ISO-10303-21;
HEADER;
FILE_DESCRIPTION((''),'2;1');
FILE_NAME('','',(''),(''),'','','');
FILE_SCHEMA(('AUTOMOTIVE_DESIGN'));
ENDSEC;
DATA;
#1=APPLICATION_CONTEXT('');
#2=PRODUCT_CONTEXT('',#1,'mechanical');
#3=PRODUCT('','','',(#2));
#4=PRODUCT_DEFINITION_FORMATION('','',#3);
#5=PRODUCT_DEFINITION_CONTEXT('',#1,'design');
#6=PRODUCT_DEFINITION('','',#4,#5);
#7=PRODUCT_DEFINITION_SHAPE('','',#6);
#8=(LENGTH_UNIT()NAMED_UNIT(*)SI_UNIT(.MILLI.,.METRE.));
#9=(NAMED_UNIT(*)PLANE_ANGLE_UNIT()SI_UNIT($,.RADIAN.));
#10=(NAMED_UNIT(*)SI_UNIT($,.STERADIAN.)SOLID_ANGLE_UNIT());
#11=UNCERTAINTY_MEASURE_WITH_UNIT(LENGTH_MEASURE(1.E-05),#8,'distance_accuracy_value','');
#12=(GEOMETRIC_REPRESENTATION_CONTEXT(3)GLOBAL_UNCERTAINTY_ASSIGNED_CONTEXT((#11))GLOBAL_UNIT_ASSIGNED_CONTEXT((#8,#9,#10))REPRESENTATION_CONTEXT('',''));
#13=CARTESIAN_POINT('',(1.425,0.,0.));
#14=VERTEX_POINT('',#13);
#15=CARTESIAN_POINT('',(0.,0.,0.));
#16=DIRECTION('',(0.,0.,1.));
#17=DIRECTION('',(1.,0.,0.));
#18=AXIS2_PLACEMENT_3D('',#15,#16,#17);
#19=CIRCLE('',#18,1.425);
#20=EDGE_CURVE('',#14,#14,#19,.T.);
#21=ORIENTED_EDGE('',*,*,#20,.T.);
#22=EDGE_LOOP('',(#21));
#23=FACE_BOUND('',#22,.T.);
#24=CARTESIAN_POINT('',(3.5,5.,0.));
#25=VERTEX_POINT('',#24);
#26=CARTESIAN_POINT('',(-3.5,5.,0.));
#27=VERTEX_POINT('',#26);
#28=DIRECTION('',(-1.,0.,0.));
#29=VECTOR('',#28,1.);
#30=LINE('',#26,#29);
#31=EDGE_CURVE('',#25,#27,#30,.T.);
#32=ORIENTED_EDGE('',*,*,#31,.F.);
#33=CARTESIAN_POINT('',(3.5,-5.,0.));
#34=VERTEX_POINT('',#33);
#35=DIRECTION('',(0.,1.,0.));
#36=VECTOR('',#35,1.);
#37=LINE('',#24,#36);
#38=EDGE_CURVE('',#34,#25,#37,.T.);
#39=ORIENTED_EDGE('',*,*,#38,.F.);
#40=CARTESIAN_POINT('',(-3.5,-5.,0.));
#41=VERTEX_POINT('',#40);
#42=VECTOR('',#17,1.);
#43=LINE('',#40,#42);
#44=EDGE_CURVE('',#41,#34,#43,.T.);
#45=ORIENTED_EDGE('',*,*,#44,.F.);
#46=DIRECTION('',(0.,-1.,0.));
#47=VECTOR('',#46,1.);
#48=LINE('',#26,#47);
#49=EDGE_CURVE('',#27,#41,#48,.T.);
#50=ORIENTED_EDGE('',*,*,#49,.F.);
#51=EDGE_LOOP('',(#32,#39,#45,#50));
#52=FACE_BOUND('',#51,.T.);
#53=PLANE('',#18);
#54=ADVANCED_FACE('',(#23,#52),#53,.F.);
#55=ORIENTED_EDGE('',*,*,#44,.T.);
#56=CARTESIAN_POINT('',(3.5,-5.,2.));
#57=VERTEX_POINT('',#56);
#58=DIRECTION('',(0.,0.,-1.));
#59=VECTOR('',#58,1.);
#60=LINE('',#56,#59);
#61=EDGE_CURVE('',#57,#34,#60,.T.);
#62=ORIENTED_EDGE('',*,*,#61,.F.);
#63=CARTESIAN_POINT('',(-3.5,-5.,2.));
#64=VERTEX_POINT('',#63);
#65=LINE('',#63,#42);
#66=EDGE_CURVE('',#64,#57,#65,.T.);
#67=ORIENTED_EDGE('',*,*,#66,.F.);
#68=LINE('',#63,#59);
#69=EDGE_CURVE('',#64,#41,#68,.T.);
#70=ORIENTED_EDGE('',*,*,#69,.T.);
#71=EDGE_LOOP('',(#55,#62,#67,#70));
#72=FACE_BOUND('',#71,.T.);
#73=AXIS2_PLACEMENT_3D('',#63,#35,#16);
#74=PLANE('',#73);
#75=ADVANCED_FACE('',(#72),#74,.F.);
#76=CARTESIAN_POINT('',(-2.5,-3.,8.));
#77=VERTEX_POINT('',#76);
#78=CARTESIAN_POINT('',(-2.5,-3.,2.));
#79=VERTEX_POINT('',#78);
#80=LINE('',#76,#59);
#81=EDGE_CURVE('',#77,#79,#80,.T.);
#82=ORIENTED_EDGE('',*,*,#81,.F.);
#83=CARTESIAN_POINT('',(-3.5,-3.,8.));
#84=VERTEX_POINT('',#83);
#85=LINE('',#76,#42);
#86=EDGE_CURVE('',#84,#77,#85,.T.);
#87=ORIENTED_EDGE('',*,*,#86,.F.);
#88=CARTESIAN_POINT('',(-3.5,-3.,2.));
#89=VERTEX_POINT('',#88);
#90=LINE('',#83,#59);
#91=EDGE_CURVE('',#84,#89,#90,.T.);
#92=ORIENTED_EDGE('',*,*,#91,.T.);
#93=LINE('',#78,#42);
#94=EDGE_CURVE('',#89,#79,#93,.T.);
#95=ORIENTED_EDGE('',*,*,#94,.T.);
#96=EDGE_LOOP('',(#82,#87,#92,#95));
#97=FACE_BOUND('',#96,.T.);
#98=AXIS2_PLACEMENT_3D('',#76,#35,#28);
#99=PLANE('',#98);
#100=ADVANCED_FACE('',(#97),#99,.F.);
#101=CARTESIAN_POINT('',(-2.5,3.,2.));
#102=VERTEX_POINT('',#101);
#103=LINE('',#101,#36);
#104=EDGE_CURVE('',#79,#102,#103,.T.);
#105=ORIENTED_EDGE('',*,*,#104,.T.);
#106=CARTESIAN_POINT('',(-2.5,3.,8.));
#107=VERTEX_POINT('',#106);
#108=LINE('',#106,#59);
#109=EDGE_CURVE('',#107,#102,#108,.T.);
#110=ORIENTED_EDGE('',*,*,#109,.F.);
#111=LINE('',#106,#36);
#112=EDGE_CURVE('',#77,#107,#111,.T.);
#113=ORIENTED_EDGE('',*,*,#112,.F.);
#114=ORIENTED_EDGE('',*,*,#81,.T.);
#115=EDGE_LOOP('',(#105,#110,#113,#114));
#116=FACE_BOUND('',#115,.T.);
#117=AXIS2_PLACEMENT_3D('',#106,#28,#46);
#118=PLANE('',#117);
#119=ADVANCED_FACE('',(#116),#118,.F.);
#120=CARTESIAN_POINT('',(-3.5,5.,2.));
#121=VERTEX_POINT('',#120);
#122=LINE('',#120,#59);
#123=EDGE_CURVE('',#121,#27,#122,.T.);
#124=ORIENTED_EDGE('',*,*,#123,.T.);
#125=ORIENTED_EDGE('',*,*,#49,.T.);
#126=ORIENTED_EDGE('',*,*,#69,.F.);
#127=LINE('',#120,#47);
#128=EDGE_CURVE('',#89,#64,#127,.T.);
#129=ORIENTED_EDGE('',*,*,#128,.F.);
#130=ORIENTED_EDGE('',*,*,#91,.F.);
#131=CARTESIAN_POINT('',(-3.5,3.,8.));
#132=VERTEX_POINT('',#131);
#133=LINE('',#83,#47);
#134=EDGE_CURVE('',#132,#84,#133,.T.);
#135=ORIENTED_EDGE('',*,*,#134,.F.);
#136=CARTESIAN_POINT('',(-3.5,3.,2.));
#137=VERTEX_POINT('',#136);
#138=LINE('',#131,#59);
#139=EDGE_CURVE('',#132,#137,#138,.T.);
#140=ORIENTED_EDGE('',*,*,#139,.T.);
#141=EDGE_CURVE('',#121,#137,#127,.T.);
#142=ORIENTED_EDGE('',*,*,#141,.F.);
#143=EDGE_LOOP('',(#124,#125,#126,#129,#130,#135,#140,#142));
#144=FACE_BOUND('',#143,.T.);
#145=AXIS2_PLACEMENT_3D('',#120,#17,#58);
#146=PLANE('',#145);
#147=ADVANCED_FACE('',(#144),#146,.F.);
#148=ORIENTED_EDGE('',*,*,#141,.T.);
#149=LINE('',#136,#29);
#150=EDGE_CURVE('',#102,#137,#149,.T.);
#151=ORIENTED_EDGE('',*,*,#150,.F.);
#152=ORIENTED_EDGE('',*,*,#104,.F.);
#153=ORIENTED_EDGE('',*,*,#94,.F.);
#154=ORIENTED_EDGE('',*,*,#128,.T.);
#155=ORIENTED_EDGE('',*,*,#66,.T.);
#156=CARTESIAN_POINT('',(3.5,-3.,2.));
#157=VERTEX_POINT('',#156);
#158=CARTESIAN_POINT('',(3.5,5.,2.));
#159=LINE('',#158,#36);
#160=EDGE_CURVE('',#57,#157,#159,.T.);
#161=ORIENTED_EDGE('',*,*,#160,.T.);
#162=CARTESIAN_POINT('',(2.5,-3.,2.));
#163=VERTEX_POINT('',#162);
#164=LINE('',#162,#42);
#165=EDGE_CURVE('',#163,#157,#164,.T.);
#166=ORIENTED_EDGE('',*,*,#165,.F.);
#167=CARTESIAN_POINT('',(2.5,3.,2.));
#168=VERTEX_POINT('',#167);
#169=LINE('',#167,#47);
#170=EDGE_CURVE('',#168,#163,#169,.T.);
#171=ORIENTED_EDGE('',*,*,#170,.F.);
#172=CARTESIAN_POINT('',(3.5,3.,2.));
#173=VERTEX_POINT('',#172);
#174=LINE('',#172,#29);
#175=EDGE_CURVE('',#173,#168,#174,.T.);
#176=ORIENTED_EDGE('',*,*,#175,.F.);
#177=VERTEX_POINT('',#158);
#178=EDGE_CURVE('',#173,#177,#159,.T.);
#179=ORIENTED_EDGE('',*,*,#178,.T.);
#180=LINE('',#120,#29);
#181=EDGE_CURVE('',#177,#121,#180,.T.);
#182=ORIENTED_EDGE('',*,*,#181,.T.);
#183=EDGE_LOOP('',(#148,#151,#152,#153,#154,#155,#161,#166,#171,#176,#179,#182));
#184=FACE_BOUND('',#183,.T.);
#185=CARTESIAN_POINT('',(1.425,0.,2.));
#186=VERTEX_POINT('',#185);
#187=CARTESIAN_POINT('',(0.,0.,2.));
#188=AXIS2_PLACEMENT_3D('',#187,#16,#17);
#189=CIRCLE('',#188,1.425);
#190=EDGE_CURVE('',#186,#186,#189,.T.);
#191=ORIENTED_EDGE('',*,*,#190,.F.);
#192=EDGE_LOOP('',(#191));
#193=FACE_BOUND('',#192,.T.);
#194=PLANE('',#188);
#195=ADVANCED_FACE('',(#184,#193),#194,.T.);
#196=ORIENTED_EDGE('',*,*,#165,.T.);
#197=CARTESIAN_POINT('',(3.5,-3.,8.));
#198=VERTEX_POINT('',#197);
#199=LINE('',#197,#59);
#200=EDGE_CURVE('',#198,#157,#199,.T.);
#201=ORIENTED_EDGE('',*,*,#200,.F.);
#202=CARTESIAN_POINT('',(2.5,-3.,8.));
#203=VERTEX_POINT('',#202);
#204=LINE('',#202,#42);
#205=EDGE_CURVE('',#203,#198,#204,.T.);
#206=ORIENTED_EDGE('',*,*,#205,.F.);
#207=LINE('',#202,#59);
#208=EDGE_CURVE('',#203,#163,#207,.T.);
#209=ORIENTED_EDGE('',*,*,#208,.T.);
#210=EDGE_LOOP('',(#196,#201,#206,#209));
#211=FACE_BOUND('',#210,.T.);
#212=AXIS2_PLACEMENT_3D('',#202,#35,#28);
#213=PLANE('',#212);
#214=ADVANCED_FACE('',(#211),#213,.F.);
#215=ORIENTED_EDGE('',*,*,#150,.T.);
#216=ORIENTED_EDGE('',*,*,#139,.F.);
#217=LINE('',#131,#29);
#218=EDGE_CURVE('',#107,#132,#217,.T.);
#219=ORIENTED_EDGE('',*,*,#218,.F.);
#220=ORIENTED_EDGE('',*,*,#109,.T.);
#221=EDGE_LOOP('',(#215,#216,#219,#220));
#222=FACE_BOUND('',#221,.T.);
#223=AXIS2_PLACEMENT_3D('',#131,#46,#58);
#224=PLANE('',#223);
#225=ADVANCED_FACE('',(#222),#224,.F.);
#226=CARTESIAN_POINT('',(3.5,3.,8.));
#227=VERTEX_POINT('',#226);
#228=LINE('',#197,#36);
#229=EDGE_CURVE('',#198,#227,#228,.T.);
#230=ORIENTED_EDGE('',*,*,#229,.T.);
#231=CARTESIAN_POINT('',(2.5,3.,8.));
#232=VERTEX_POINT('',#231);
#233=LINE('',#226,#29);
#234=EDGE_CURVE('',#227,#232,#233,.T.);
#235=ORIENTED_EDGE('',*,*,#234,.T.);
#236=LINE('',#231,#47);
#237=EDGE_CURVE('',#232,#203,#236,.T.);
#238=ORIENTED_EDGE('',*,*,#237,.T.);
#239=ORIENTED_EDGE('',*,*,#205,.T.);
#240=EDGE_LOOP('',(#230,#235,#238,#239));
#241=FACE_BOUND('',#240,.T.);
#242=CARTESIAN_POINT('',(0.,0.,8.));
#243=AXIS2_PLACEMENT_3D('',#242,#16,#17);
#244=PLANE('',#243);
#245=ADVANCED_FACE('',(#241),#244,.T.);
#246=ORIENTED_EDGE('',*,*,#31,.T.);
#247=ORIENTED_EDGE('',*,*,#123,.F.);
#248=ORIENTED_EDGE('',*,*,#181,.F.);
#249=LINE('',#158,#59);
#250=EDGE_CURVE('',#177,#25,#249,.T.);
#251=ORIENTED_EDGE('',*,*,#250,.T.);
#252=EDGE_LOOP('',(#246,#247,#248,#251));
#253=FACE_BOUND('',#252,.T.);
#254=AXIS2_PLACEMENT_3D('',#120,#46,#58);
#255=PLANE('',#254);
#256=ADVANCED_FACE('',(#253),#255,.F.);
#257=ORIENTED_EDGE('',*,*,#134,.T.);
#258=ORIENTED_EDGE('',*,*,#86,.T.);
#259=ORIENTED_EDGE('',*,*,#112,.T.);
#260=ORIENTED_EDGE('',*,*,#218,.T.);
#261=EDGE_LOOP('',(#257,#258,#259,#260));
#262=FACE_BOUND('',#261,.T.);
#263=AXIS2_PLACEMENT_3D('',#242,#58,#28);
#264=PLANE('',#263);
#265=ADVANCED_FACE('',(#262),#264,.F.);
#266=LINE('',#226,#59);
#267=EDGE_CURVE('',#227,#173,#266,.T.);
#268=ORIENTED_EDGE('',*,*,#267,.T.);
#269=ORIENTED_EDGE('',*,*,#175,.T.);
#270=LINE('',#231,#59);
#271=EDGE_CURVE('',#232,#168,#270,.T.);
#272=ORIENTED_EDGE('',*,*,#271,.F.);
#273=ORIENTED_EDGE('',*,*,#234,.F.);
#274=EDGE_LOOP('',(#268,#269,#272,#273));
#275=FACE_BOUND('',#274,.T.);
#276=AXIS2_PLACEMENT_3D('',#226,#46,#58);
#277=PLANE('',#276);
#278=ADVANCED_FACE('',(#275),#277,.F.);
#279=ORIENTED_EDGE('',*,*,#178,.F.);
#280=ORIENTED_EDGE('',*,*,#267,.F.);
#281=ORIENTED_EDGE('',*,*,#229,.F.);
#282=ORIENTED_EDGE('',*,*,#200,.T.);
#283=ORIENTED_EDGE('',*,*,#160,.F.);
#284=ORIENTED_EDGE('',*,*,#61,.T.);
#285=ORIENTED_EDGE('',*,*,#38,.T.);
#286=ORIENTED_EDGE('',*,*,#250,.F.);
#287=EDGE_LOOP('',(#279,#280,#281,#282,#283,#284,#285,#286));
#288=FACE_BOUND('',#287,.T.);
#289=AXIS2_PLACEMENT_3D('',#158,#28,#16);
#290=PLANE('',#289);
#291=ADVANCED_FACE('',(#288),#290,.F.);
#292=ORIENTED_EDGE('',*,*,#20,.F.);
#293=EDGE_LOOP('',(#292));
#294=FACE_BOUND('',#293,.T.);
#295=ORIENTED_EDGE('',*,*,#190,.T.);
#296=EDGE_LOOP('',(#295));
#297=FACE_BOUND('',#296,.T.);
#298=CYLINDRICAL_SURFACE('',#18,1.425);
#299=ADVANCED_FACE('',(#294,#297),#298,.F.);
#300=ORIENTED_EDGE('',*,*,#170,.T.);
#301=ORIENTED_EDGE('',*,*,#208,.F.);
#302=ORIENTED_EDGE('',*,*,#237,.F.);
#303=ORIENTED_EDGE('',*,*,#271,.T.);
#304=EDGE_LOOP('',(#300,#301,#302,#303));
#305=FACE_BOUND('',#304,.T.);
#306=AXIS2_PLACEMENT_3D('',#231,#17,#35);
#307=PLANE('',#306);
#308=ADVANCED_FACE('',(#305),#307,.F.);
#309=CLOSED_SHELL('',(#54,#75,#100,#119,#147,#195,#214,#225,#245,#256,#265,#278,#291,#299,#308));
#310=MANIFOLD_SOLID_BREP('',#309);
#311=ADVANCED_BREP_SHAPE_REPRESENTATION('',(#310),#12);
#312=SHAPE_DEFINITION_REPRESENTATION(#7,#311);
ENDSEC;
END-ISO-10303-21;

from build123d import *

# Parameters (mm, degrees)
SKETCH1_W           = 7
SKETCH1_H           = 10
BOSS_EXTRUDE1_DEPTH = 2
SKETCH2_R           = 1.425
CUT_EXTRUDE1_DEPTH  = 2
SKETCH3_W           = 1
SKETCH3_H           = 6
BOSS_EXTRUDE2_DEPTH = 6


with BuildPart() as part:
    # Sketch1 → Boss-Extrude1 (new body)
    with BuildSketch(Plane.XY):
        Rectangle(SKETCH1_W, SKETCH1_H)
    extrude(amount=BOSS_EXTRUDE1_DEPTH)

    # Sketch2 → Cut-Extrude1 (cut)
    with BuildSketch(Plane.XY.offset(2)):
        Circle(SKETCH2_R)
    extrude(amount=-CUT_EXTRUDE1_DEPTH, mode=Mode.SUBTRACT)

    # Sketch3 → Boss-Extrude2 (add)
    with BuildSketch(Plane.XY.offset(2)):
        with Locations((-3, 0)):
            Rectangle(SKETCH3_W, SKETCH3_H)
        with Locations((3, 0)):
            Rectangle(SKETCH3_W, SKETCH3_H)
    extrude(amount=BOSS_EXTRUDE2_DEPTH)


solid = part.part
